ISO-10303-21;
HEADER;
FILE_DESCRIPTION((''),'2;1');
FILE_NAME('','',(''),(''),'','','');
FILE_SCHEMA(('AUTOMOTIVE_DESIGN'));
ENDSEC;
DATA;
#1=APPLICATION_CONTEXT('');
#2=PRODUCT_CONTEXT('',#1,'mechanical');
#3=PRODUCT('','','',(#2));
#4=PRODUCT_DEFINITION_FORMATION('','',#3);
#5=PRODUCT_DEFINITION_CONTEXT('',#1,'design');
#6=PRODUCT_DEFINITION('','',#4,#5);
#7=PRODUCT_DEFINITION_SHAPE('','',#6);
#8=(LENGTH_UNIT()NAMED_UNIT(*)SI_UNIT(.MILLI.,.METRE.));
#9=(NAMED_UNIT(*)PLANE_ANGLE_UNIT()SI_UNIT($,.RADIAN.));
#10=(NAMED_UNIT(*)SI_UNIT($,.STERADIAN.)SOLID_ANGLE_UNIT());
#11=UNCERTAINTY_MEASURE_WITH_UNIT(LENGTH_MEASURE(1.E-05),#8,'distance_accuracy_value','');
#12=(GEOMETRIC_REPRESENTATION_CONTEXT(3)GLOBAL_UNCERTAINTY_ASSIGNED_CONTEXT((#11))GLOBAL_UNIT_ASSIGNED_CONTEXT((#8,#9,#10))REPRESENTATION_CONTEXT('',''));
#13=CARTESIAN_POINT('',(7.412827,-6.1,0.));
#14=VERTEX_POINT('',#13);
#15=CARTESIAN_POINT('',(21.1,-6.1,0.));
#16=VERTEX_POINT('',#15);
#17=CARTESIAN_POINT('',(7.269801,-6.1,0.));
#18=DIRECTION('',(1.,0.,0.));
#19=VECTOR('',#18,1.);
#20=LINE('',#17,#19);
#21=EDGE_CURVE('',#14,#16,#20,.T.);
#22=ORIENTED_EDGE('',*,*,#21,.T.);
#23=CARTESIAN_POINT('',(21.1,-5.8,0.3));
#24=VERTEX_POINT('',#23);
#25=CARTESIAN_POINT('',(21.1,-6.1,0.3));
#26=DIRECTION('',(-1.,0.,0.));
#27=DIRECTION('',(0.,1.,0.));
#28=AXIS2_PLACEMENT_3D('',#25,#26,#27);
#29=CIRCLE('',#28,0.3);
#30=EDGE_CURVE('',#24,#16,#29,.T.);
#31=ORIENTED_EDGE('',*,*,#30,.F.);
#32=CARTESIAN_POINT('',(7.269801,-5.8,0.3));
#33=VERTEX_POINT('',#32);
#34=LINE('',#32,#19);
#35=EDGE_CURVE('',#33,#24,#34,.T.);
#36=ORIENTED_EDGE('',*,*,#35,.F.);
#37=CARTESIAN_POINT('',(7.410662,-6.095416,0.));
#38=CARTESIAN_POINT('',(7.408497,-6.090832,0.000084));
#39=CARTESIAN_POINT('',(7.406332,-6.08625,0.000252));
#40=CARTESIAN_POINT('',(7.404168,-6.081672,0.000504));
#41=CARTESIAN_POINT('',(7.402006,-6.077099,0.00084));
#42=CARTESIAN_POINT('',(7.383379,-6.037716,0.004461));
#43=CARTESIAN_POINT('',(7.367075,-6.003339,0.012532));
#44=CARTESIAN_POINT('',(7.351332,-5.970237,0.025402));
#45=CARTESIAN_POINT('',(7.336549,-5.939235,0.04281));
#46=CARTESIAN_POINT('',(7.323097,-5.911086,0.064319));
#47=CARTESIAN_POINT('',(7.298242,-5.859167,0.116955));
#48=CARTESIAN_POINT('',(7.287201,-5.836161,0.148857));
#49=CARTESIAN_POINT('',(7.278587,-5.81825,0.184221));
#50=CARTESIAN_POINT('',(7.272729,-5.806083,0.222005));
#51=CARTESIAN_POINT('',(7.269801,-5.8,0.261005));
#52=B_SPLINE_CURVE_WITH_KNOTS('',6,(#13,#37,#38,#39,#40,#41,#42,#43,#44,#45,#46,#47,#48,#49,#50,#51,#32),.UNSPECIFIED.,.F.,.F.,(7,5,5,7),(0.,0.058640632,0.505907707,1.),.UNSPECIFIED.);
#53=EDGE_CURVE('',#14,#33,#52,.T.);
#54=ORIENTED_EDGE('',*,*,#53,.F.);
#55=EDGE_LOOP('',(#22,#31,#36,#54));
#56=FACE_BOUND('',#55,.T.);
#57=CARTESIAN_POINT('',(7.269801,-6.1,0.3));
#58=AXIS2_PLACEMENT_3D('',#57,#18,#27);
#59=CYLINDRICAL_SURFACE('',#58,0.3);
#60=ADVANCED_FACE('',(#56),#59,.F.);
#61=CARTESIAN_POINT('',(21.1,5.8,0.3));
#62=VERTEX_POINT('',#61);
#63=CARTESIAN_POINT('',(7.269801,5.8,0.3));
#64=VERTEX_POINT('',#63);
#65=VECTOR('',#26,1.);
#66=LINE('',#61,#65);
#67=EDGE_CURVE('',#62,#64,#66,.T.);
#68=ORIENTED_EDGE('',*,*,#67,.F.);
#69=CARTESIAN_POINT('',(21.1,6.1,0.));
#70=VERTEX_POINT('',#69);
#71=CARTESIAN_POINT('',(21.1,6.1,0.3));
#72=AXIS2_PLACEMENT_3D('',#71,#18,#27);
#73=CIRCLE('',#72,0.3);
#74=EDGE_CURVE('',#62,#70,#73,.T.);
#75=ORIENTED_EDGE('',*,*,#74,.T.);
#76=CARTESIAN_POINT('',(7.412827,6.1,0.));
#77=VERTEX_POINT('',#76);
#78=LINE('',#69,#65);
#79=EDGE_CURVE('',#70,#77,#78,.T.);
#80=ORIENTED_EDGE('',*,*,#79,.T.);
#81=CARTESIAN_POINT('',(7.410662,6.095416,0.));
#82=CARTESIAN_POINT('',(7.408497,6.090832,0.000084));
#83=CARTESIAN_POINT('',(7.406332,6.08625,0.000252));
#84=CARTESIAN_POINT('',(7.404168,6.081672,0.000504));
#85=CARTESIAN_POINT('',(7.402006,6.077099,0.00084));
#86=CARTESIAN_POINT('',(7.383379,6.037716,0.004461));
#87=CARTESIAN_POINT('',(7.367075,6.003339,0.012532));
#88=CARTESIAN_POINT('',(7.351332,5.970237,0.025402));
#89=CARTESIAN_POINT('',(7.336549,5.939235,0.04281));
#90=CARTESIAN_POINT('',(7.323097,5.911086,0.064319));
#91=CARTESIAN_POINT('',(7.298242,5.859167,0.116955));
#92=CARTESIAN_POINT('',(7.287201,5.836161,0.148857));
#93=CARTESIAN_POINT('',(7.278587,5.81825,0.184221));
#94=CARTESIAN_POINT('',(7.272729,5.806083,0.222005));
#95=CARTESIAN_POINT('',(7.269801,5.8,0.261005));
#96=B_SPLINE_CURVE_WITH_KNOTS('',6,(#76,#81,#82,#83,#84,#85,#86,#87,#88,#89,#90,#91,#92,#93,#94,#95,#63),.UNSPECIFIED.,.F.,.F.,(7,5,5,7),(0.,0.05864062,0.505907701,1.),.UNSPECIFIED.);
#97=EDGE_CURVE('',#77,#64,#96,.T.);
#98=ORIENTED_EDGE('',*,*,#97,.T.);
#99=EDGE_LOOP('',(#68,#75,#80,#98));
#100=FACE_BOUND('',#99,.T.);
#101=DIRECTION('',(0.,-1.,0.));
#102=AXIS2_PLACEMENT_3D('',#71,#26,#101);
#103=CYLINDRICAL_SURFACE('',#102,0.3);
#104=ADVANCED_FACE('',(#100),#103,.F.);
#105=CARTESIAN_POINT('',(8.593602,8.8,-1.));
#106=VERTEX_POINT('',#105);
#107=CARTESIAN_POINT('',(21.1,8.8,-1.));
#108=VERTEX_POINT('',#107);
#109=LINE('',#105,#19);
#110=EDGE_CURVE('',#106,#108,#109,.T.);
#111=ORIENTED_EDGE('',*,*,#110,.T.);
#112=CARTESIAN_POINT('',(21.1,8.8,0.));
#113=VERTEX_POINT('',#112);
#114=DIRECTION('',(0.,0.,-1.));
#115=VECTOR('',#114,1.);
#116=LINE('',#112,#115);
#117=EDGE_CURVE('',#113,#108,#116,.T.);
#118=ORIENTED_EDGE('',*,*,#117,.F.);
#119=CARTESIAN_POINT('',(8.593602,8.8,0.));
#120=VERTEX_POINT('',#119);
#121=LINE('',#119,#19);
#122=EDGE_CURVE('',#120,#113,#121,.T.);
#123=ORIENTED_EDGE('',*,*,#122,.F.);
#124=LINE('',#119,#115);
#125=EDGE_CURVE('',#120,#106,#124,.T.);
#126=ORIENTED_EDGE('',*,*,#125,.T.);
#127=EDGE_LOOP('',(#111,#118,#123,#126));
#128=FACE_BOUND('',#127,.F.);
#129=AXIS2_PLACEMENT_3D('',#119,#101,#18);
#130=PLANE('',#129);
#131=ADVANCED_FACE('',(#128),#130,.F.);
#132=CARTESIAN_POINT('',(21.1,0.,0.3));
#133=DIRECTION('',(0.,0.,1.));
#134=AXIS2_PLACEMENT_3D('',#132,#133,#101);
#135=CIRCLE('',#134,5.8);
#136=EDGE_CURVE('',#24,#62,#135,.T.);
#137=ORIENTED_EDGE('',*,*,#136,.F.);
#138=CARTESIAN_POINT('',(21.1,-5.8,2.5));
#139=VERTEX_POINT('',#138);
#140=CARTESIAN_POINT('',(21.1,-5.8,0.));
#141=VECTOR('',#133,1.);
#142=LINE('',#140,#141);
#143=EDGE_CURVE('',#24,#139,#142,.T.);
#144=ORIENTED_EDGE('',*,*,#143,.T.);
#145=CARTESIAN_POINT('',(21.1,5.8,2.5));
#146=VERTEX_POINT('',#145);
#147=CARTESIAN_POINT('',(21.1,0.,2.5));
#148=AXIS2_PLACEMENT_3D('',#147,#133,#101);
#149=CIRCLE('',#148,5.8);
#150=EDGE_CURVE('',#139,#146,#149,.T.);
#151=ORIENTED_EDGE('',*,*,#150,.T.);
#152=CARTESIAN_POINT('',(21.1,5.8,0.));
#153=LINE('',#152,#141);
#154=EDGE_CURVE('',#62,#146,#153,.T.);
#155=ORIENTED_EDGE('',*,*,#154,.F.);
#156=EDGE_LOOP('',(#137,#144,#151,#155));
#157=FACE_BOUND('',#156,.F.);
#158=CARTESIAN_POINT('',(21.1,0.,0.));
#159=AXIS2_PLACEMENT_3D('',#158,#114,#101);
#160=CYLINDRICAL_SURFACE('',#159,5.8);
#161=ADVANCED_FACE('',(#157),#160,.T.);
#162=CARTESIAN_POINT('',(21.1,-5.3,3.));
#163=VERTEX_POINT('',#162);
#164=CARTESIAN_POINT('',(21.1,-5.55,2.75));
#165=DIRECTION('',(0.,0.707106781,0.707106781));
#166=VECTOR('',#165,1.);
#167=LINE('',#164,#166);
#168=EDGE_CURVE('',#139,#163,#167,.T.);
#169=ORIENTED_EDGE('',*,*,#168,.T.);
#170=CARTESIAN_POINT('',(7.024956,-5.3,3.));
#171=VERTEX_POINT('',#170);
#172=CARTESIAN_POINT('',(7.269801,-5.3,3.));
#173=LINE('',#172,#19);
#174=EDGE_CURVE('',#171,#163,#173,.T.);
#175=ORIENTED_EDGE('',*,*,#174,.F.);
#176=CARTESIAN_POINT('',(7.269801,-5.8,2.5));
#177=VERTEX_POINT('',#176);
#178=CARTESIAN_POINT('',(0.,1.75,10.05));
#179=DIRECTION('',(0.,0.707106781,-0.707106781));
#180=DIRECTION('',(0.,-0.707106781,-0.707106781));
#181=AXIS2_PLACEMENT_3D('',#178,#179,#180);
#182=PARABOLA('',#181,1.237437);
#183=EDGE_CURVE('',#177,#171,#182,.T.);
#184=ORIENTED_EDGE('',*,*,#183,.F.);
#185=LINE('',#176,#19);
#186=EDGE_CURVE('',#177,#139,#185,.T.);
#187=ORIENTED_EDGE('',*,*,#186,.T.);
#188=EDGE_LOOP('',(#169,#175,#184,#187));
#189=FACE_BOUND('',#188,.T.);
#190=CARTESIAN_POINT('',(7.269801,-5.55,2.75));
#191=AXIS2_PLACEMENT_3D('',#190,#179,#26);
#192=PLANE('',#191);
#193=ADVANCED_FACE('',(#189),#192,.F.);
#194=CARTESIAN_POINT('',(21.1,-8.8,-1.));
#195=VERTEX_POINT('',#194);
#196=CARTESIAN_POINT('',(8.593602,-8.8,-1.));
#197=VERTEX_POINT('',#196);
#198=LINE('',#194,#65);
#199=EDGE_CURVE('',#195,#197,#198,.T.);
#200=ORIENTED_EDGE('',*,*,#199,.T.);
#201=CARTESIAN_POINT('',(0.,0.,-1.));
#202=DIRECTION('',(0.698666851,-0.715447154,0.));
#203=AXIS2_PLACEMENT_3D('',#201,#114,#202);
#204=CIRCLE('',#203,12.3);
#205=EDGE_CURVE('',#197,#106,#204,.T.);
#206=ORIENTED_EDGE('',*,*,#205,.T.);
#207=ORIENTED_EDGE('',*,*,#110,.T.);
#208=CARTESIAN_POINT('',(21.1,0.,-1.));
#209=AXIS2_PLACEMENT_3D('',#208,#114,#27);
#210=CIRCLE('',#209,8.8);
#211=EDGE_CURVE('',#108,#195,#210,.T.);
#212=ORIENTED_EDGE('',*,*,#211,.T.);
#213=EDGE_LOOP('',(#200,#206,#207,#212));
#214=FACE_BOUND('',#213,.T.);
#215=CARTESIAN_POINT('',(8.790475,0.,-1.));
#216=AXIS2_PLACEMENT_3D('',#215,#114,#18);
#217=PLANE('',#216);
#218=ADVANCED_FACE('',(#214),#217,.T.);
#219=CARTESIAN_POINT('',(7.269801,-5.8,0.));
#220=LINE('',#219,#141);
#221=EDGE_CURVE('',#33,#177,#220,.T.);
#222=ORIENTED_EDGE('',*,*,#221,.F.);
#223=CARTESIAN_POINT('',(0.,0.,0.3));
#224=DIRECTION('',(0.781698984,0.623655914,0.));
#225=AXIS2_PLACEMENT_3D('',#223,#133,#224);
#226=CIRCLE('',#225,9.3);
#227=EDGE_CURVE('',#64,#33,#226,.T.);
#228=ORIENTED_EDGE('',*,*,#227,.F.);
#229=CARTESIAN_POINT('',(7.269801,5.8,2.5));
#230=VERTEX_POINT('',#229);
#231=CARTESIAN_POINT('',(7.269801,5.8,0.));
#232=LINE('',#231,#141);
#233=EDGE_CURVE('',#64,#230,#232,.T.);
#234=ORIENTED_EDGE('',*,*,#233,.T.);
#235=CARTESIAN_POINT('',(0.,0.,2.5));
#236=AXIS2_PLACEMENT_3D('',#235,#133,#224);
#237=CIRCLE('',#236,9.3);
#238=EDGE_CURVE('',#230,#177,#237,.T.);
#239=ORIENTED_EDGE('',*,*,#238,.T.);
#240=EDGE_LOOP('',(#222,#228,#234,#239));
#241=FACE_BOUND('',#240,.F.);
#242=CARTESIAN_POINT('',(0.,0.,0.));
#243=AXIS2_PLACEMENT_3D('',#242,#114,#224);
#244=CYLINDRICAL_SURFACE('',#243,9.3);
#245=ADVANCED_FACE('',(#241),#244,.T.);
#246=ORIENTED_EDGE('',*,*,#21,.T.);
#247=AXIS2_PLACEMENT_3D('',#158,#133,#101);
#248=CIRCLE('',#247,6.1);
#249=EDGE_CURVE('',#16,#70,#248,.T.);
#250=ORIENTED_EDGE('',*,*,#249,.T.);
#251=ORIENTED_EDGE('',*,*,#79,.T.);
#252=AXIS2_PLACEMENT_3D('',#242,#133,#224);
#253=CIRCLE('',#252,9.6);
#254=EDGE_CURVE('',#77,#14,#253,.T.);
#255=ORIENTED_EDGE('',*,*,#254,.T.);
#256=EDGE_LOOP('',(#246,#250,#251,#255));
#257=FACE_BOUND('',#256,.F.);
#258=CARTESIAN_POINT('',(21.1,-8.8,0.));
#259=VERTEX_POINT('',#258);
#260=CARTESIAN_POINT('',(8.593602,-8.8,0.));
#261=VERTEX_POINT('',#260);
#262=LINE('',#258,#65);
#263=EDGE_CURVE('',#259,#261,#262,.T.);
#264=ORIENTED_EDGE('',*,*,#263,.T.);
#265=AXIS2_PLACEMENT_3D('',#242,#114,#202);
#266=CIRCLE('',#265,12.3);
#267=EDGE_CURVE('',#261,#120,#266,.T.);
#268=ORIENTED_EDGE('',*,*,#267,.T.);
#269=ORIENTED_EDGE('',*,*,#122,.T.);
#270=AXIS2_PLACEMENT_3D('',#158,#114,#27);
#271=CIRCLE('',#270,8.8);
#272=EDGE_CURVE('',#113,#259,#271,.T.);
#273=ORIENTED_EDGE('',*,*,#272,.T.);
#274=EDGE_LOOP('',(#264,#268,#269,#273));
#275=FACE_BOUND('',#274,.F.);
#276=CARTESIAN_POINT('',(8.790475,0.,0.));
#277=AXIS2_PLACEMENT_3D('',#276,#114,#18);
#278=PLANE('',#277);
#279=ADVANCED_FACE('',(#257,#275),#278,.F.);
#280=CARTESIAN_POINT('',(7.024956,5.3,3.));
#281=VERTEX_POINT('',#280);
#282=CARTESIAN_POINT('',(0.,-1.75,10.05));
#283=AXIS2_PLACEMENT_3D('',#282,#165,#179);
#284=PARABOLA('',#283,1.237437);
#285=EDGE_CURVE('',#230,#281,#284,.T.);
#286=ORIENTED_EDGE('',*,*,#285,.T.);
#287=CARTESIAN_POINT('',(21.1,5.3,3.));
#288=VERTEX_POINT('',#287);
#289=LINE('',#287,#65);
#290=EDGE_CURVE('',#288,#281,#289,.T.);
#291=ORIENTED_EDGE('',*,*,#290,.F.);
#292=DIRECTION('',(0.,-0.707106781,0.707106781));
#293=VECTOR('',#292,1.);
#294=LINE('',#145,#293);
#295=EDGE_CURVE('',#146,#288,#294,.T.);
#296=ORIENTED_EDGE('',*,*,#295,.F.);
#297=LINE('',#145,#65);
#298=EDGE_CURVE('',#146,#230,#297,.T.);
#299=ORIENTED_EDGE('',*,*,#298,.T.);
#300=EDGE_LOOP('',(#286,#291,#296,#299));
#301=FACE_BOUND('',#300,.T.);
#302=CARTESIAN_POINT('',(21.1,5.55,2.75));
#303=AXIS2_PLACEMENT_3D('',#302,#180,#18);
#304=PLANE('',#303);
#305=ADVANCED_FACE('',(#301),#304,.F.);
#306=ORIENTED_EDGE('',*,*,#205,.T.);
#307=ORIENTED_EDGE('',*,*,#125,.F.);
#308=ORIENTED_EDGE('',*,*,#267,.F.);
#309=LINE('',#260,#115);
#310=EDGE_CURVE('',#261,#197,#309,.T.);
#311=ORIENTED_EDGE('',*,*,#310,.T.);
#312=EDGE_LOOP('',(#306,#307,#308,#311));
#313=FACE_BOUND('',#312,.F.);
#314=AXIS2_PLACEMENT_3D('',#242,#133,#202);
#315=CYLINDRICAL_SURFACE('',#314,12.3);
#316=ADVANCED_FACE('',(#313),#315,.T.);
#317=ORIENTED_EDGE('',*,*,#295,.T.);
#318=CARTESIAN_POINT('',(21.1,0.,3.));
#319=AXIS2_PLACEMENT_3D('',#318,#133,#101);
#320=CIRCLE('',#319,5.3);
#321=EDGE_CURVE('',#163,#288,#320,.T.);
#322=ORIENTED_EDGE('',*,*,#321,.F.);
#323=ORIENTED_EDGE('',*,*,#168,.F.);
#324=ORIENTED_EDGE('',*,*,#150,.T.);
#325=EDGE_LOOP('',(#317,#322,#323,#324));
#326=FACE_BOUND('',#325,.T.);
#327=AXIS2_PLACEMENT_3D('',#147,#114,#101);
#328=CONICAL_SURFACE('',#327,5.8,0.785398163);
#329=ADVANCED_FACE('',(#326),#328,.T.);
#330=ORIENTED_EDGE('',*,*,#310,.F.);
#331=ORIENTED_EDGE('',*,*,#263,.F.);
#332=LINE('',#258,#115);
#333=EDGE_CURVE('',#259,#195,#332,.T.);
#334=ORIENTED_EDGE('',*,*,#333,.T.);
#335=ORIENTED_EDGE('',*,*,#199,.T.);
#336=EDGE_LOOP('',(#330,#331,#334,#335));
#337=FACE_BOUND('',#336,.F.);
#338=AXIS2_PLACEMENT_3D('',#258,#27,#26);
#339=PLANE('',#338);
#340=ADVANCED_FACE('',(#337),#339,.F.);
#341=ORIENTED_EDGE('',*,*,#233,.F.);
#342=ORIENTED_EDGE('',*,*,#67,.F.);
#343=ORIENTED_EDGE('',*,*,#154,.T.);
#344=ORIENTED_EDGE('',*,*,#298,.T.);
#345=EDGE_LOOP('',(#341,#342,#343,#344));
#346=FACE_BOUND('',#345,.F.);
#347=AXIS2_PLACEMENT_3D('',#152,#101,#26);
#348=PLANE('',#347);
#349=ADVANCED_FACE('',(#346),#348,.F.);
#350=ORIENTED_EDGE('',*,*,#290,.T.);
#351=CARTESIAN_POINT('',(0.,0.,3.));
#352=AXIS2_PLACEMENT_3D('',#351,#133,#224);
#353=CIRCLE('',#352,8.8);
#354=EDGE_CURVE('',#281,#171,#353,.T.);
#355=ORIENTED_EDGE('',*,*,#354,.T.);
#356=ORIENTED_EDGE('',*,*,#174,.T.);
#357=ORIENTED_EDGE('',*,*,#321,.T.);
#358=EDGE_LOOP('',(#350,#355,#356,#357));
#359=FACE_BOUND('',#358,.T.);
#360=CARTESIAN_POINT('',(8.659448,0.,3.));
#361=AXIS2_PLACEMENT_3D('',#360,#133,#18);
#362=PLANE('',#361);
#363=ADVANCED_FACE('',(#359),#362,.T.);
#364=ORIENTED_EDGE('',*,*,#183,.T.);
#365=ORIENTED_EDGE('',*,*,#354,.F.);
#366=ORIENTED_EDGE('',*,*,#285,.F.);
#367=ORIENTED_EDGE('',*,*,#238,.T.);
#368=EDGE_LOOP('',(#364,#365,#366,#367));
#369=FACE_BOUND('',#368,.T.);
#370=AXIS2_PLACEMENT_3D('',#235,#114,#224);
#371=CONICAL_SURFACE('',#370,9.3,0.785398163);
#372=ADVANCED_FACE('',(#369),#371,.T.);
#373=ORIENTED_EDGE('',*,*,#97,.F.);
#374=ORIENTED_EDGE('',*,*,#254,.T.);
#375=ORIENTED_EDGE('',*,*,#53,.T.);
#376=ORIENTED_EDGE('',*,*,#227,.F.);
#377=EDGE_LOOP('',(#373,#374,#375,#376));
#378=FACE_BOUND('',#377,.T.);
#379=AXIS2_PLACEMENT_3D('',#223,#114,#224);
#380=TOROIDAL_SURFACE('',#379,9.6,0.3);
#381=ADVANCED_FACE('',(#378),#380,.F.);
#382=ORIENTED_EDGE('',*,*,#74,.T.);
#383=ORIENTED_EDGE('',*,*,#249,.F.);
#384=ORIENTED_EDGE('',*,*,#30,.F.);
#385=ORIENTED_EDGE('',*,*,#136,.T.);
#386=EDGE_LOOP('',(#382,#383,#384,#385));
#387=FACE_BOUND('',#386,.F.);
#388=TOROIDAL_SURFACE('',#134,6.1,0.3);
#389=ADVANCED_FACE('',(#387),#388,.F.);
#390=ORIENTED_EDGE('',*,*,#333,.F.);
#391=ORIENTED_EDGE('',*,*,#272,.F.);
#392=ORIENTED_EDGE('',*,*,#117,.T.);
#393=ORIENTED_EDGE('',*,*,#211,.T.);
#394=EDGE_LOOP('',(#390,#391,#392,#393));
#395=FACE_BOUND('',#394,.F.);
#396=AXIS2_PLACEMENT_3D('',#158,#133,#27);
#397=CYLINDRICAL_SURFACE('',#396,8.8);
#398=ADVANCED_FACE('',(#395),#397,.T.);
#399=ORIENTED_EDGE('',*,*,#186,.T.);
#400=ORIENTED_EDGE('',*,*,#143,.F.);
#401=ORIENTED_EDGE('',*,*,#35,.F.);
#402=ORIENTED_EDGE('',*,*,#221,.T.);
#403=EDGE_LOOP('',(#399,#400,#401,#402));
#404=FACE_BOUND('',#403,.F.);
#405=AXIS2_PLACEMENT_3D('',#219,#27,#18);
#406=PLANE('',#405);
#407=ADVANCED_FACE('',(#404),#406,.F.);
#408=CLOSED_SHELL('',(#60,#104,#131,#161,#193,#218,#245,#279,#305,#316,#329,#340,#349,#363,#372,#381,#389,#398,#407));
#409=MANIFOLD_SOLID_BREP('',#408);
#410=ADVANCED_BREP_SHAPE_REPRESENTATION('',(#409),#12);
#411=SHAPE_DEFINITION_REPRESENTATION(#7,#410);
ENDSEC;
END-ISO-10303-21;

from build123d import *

# Parameters (mm, degrees)
F1_DEPTH = 3
F3_DEPTH = 1
F4_SIZE  = 0.5
F5_R     = 0.3


with BuildPart() as f1:
    # F0 (on Top) → F1 (new body)
    with BuildSketch(Plane.XY):
        with BuildLine():
            Line((21.1, 5.8), (7.2698005475, 5.8))
            ThreePointArc((7.2698005475, 5.8), (-9.3, 0), (7.2698005475, -5.8))
            Line((7.2698005475, -5.8), (21.1, -5.8))
            ThreePointArc((21.1, -5.8), (26.9, 0), (21.1, 5.8))
        make_face()
    extrude(amount=F1_DEPTH)

    # F2 (on face) → F3 (join)
    with BuildSketch(Plane(origin=(0, 0, 0), x_dir=(1, 0, 0), z_dir=(0, 0, -1))):
        with BuildLine():
            ThreePointArc((21.1, -8.8), (29.9, 0), (21.1, 8.8))
            Line((21.1, 8.8), (8.5936022715, 8.8))
            ThreePointArc((8.5936022715, 8.8), (-12.3, 0), (8.5936022715, -8.8))
            Line((8.5936022715, -8.8), (21.1, -8.8))
        make_face()
    extrude(amount=F3_DEPTH)

    # F4
    f4_edges = [f1.edges().sort_by_distance(p)[0] for p in [
        (14.1849, -5.8, 3),
        (26.9, 0, 3),
        (14.1849, 5.8, 3),
        (-9.3, 0, 3),
    ]]
    chamfer(f4_edges, length=F4_SIZE)

    # F5
    f5_edges = [f1.edges().sort_by_distance(p)[0] for p in [
        (-9.3, 0, 0),
        (14.1849, -5.8, 0),
        (26.9, 0, 0),
        (14.1849, 5.8, 0),
    ]]
    fillet(f5_edges, radius=F5_R)


solid = f1.part
